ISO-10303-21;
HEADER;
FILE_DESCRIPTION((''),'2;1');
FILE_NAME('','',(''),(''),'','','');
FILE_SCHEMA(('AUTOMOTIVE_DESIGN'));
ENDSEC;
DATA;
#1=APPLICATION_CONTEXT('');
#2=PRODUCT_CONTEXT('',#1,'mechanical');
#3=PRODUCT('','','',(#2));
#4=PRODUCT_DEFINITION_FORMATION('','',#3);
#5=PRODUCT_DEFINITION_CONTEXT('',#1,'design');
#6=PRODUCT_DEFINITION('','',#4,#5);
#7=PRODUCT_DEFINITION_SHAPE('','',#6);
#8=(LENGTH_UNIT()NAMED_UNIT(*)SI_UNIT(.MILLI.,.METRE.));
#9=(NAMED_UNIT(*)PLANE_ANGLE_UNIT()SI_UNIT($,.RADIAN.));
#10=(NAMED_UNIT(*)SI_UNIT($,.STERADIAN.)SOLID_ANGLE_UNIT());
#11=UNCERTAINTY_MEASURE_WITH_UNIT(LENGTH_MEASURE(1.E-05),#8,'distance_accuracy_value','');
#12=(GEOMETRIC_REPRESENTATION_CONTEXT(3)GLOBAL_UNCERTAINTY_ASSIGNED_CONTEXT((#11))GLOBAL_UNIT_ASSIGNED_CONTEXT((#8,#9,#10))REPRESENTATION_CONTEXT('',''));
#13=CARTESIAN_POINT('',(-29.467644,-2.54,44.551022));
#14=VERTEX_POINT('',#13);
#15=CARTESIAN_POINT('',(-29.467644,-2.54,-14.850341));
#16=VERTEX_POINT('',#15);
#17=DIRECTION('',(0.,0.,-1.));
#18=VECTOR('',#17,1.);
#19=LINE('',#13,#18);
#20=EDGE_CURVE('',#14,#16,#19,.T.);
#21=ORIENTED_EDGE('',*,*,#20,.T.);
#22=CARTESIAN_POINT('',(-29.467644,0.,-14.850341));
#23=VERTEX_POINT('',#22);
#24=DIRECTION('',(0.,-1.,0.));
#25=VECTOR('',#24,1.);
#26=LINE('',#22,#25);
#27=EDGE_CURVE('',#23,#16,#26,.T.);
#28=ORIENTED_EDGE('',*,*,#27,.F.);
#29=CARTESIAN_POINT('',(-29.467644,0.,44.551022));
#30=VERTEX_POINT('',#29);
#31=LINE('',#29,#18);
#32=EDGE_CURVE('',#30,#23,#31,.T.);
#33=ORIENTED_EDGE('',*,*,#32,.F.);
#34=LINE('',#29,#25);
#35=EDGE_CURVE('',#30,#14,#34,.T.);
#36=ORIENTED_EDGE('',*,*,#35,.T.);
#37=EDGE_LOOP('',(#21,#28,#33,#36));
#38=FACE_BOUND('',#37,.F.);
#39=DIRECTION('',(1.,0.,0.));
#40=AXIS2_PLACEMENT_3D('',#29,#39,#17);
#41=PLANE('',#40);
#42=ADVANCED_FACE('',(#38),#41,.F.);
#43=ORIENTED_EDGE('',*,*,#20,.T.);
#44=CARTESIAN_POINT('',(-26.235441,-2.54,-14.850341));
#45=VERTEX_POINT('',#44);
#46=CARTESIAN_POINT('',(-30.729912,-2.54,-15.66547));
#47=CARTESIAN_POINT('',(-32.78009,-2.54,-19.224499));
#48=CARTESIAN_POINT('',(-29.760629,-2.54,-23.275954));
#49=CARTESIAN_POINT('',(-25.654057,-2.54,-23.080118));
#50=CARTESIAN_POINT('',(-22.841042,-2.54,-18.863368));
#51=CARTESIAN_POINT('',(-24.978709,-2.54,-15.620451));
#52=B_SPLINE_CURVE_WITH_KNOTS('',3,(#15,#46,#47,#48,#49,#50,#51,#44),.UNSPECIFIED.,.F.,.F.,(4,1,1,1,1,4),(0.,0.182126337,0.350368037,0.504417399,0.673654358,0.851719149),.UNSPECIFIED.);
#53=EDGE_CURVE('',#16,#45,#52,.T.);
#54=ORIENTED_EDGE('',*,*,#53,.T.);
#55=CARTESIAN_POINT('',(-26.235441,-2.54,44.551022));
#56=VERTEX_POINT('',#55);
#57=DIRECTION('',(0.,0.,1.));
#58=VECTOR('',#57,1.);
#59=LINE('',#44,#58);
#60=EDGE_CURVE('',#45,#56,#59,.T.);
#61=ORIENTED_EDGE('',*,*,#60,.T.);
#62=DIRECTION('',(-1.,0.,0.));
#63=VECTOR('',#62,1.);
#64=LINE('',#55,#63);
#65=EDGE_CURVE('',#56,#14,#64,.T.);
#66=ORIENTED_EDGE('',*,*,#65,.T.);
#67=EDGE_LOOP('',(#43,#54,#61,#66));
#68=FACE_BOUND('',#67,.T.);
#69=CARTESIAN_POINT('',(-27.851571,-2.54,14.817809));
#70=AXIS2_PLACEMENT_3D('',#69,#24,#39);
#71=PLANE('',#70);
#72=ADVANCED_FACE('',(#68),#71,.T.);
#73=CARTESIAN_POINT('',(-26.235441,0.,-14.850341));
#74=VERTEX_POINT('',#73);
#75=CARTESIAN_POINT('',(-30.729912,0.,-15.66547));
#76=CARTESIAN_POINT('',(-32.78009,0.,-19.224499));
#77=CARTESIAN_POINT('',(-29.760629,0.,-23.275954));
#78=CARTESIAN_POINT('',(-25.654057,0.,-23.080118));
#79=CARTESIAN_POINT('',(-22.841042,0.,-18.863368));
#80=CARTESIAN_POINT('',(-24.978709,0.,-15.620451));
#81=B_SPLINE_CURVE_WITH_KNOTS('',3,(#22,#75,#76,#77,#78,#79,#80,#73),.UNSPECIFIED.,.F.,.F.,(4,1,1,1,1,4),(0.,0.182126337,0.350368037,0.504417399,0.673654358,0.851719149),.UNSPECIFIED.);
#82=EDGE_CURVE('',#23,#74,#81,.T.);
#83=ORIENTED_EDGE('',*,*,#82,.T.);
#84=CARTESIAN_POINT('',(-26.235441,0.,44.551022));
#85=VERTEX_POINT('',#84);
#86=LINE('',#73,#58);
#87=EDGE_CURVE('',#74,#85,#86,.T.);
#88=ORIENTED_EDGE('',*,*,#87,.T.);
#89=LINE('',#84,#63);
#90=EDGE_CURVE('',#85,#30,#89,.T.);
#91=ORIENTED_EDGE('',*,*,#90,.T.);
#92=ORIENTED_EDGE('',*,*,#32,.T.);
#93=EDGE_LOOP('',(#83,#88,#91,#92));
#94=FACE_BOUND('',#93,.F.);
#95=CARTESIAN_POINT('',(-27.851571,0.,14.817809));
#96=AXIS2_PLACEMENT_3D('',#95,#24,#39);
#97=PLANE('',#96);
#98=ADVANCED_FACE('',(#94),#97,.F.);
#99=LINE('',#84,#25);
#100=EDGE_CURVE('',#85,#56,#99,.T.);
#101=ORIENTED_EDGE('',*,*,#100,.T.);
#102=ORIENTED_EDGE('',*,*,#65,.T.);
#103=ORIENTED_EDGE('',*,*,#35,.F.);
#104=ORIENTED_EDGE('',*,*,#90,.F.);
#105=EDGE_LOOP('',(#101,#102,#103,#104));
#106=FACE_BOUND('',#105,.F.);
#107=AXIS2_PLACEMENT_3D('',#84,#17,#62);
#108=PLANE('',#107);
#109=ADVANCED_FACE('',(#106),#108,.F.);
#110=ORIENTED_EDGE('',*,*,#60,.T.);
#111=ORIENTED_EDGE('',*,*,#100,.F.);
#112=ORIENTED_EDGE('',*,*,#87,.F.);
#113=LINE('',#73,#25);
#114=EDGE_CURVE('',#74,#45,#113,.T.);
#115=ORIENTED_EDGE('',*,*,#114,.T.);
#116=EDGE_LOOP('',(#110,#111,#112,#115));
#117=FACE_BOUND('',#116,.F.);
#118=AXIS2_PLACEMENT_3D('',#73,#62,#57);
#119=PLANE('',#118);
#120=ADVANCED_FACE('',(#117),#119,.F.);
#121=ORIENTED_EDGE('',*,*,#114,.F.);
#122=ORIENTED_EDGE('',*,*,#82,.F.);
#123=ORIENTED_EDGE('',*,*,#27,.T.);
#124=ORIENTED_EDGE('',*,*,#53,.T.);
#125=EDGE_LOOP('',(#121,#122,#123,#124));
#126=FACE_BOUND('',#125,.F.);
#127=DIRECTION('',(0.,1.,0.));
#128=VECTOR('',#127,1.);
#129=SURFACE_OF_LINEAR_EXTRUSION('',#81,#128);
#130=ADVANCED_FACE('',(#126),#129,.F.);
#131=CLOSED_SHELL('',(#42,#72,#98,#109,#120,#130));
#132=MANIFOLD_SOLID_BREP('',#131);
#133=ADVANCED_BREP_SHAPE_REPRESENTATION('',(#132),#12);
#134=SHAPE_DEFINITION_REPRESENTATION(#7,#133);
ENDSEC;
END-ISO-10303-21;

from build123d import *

# Parameters (mm, degrees)
F1_DEPTH = 2.54


with BuildPart() as f1:
    # F0 (on Front) → F1 (new body)
    with BuildSketch(Plane.XZ):
        with BuildLine():
            Line((-26.2354407459, 44.5510223508), (-29.4676441699, 44.5510223508))
            Line((-29.4676441699, 44.5510223508), (-29.4676441699, -14.8503407836))
            add(Edge.make_bspline(
                [(-26.2354407459, -14.8503407836), (-27.2819660544, -14.2090427676), (-28.4399500642, -14.18669105), (-29.4676441699, -14.8503407836)],
                knots=[0.8517191494, 0.8517191494, 0.8517191494, 0.8517191494, 1, 1, 1, 1], degree=3))
            Line((-26.2354407459, -14.8503407836), (-26.2354407459, 44.5510223508))
        make_face()
        with BuildLine():
            add(Edge.make_bspline(
                [(-26.2354407459, -14.8503407836), (-27.2819660544, -14.2090427676), (-28.4399500642, -14.18669105), (-29.4676441699, -14.8503407836)],
                knots=[0.8517191494, 0.8517191494, 0.8517191494, 0.8517191494, 1, 1, 1, 1], degree=3))
            add(Edge.make_bspline(
                [(-29.4676441699, -14.8503407836), (-30.7299121051, -15.6654702801), (-32.7800901937, -19.2244991193), (-29.7606286966, -23.2759537372), (-25.6540569152, -23.0801182417), (-22.8410424709, -18.863368119), (-24.9787086075, -15.6204509954), (-26.2354407459, -14.8503407836)],
                knots=[0, 0, 0, 0, 0.1821263371, 0.3503680367, 0.5044173995, 0.6736543583, 0.8517191494, 0.8517191494, 0.8517191494, 0.8517191494], degree=3))
        make_face()
    extrude(amount=F1_DEPTH)


solid = f1.part
